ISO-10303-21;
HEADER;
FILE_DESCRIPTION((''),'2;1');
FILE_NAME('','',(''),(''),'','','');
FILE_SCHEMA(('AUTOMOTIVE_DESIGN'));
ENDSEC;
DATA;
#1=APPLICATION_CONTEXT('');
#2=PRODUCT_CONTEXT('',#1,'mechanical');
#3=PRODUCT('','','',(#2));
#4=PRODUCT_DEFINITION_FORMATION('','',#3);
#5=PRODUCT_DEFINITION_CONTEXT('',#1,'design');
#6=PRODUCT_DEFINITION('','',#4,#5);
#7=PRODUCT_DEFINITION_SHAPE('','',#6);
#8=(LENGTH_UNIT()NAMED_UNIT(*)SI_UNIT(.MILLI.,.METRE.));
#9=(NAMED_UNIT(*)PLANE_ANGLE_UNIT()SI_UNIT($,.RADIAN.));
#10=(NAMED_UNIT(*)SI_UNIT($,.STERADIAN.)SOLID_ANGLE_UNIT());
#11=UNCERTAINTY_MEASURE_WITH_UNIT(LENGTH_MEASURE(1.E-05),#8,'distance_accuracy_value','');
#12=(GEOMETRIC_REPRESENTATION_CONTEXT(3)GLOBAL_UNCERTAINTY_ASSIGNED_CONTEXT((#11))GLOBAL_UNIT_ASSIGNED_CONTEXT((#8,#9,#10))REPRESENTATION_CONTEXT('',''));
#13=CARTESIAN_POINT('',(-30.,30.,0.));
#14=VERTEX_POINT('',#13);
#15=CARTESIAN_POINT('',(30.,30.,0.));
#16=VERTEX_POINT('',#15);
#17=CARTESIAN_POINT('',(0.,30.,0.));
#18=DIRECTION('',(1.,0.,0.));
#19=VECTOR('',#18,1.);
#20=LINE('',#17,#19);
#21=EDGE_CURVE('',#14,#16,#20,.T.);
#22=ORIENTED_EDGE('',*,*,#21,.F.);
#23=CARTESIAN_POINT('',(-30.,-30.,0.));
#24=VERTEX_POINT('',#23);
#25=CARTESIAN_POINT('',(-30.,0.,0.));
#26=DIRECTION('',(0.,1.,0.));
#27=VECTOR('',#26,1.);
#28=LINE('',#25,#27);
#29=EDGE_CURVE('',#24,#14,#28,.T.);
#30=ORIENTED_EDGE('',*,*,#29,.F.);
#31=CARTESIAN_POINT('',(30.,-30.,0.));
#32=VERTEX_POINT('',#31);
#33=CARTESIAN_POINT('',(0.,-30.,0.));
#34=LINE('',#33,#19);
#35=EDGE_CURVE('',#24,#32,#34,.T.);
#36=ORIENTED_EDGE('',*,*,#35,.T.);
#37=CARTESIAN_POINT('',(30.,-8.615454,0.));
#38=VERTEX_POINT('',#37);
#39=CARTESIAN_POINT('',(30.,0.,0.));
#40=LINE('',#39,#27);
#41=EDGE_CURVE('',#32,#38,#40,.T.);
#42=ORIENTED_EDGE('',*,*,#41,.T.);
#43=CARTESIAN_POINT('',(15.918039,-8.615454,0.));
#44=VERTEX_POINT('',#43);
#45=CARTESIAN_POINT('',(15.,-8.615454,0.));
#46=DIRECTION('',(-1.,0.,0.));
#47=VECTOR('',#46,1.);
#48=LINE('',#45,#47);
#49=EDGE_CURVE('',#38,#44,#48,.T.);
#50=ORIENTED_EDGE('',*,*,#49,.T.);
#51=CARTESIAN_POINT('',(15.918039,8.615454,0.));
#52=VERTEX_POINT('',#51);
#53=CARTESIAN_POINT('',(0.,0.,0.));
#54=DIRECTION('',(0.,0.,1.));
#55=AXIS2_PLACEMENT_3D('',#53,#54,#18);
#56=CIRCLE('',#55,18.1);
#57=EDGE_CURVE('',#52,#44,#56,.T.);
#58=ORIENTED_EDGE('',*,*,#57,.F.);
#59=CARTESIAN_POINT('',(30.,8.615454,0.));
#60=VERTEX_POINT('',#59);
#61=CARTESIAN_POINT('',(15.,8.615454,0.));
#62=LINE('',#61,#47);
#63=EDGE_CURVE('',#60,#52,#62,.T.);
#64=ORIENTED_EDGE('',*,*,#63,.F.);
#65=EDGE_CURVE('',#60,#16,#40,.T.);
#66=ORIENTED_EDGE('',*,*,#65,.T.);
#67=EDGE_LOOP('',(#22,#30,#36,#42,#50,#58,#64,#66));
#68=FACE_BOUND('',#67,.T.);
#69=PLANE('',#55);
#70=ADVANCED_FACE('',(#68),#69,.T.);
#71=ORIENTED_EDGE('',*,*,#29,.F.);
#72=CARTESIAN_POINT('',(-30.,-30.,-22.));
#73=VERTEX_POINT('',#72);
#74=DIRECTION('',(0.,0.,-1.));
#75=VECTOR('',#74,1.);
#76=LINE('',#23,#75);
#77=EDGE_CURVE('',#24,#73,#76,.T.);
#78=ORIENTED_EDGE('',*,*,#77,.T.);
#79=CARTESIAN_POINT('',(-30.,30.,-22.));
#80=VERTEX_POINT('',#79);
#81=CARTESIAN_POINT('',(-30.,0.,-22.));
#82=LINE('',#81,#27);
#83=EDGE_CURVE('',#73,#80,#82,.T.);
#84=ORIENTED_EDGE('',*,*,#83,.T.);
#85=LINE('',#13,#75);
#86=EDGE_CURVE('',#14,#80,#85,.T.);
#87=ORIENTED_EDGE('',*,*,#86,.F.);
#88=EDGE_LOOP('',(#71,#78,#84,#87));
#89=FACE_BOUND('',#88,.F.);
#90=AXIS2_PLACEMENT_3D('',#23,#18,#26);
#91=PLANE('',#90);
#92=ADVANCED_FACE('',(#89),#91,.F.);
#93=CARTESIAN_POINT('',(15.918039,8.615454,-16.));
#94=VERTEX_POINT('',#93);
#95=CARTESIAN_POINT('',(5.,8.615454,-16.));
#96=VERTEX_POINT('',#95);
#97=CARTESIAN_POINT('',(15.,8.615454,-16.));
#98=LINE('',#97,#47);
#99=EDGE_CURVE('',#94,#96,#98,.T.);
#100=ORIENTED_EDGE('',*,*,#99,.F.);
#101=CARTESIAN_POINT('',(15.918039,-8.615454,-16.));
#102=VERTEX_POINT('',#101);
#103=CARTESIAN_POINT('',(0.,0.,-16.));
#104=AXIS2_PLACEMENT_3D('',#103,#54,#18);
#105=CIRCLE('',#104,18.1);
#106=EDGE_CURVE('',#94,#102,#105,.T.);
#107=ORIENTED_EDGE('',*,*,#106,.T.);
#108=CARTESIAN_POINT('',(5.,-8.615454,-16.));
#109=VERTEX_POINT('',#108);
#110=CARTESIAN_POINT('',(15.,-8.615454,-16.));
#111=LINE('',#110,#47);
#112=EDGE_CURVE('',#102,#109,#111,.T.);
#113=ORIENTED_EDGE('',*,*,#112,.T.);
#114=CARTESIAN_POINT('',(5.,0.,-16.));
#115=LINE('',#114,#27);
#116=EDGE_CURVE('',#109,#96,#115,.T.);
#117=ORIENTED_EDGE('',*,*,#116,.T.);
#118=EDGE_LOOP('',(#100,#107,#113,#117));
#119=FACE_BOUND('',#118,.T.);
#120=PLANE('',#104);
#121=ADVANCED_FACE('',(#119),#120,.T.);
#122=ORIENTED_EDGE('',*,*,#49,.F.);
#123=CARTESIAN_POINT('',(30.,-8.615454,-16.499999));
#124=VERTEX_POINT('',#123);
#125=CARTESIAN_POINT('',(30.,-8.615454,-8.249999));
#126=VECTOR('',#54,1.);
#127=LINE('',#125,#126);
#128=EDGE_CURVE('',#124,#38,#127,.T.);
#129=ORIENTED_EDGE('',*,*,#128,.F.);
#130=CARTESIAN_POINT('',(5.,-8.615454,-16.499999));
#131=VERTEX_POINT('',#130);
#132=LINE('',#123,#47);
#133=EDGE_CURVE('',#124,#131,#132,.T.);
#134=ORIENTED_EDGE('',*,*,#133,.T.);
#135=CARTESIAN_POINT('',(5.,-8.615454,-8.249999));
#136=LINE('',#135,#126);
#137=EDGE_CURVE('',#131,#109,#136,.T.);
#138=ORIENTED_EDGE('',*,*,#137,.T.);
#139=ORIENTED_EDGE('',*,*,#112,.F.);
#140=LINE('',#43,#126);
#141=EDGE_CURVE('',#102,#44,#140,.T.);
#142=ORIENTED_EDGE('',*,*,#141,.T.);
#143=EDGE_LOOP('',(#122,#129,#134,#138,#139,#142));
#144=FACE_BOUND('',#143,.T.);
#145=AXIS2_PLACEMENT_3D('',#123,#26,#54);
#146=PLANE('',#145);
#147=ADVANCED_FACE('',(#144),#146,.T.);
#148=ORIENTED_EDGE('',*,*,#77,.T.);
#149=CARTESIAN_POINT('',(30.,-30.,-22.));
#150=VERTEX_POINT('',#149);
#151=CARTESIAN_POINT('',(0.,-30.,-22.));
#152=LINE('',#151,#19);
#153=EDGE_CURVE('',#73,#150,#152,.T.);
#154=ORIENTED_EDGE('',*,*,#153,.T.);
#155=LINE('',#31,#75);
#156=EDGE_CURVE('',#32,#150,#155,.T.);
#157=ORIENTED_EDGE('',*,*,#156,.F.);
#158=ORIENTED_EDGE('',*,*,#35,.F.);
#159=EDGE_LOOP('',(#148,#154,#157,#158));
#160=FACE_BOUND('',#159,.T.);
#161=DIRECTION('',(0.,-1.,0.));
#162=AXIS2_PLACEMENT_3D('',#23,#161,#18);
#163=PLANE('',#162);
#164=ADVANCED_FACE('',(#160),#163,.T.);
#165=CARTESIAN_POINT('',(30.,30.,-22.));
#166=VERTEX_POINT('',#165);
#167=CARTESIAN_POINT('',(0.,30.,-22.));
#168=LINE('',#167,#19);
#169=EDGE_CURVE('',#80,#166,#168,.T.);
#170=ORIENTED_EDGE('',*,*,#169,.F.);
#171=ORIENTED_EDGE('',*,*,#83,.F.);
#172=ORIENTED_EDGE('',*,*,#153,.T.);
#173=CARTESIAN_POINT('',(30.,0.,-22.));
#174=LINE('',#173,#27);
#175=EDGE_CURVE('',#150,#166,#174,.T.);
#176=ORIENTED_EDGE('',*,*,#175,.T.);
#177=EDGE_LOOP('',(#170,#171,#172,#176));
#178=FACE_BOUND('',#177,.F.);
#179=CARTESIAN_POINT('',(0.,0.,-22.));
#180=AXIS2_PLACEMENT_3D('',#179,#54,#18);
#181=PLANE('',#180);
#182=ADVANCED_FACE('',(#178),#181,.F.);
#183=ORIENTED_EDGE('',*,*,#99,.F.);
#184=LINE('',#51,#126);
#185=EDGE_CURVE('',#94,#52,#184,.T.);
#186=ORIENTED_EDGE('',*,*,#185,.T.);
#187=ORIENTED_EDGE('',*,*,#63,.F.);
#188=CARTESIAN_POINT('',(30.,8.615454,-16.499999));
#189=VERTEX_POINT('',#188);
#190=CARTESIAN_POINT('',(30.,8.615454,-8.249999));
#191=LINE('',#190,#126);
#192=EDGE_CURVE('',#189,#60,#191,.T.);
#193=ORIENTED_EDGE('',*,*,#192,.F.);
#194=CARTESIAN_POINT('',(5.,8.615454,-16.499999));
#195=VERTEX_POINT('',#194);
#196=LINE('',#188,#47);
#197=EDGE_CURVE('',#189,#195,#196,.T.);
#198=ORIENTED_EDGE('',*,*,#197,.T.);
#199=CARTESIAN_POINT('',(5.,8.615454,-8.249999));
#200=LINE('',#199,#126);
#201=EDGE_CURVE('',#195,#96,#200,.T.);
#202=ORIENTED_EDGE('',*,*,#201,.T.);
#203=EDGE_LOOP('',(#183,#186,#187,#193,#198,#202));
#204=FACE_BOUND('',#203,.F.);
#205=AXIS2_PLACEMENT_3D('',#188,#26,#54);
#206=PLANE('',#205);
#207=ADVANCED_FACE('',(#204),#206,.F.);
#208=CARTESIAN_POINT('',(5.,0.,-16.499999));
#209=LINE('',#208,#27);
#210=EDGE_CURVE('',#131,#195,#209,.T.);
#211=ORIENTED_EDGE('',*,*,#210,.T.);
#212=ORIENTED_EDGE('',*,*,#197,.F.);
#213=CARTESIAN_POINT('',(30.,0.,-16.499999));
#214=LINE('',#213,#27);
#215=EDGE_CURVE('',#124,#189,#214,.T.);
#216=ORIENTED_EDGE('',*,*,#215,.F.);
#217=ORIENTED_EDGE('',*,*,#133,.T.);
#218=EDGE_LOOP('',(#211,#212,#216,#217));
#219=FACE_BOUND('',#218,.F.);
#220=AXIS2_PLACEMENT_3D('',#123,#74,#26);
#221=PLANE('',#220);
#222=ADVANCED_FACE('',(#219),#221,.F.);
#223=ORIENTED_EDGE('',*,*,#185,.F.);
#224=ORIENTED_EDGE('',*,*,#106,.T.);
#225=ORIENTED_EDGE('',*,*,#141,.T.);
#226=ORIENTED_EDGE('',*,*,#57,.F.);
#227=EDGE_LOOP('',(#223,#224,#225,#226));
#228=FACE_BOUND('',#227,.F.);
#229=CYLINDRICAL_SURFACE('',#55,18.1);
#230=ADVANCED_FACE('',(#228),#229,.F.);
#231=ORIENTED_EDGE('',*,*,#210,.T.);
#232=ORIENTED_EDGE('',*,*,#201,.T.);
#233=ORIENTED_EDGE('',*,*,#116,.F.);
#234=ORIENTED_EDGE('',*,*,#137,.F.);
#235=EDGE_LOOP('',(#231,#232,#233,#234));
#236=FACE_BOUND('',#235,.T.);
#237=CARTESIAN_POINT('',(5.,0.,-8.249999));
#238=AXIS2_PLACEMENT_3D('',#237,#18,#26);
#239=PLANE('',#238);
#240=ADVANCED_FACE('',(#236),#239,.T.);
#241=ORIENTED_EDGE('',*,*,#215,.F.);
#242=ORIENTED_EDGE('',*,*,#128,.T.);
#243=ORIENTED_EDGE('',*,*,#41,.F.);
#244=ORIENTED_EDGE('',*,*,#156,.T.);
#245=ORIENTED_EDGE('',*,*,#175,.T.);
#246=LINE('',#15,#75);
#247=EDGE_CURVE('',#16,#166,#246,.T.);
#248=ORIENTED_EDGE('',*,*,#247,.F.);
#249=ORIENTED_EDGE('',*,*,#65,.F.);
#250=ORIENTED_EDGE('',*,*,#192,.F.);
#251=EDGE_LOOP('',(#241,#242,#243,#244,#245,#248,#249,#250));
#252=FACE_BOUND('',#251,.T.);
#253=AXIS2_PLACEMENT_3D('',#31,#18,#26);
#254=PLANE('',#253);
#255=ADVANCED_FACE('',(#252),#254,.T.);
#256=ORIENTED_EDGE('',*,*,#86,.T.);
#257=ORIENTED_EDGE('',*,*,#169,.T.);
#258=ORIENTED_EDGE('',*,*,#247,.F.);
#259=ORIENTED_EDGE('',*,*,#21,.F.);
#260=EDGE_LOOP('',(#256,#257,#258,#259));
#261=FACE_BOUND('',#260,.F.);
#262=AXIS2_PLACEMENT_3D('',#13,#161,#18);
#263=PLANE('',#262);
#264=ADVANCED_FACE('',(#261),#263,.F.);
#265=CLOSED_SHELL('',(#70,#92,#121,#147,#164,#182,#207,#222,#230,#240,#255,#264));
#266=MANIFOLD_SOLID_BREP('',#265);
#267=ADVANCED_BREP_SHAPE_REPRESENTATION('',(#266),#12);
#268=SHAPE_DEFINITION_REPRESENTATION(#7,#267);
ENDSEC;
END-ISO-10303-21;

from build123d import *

# Parameters (mm, degrees)
F0_W     = 60
F0_H     = 60
F1_DEPTH = 22
F2_R     = 18.1
F3_DEPTH = 16
F4_W     = 17.230908
F4_H     = 16.499999
F5_DEPTH = 25


with BuildPart() as f1:
    # F0 (on Top) → F1 (new body)
    with BuildSketch(Plane.XY):
        Rectangle(F0_W, F0_H)
    extrude(amount=-F1_DEPTH)

    # F2 (on face) → F3 (cut)
    with BuildSketch(Plane.XY):
        Circle(F2_R)
    extrude(amount=-F3_DEPTH, mode=Mode.SUBTRACT)

    # F4 (on face) → F5 (cut)
    with BuildSketch(Plane.YZ.offset(30)):
        with Locations((0, -8.249999)):
            Rectangle(F4_W, F4_H)
    extrude(amount=-F5_DEPTH, mode=Mode.SUBTRACT)


solid = f1.part
